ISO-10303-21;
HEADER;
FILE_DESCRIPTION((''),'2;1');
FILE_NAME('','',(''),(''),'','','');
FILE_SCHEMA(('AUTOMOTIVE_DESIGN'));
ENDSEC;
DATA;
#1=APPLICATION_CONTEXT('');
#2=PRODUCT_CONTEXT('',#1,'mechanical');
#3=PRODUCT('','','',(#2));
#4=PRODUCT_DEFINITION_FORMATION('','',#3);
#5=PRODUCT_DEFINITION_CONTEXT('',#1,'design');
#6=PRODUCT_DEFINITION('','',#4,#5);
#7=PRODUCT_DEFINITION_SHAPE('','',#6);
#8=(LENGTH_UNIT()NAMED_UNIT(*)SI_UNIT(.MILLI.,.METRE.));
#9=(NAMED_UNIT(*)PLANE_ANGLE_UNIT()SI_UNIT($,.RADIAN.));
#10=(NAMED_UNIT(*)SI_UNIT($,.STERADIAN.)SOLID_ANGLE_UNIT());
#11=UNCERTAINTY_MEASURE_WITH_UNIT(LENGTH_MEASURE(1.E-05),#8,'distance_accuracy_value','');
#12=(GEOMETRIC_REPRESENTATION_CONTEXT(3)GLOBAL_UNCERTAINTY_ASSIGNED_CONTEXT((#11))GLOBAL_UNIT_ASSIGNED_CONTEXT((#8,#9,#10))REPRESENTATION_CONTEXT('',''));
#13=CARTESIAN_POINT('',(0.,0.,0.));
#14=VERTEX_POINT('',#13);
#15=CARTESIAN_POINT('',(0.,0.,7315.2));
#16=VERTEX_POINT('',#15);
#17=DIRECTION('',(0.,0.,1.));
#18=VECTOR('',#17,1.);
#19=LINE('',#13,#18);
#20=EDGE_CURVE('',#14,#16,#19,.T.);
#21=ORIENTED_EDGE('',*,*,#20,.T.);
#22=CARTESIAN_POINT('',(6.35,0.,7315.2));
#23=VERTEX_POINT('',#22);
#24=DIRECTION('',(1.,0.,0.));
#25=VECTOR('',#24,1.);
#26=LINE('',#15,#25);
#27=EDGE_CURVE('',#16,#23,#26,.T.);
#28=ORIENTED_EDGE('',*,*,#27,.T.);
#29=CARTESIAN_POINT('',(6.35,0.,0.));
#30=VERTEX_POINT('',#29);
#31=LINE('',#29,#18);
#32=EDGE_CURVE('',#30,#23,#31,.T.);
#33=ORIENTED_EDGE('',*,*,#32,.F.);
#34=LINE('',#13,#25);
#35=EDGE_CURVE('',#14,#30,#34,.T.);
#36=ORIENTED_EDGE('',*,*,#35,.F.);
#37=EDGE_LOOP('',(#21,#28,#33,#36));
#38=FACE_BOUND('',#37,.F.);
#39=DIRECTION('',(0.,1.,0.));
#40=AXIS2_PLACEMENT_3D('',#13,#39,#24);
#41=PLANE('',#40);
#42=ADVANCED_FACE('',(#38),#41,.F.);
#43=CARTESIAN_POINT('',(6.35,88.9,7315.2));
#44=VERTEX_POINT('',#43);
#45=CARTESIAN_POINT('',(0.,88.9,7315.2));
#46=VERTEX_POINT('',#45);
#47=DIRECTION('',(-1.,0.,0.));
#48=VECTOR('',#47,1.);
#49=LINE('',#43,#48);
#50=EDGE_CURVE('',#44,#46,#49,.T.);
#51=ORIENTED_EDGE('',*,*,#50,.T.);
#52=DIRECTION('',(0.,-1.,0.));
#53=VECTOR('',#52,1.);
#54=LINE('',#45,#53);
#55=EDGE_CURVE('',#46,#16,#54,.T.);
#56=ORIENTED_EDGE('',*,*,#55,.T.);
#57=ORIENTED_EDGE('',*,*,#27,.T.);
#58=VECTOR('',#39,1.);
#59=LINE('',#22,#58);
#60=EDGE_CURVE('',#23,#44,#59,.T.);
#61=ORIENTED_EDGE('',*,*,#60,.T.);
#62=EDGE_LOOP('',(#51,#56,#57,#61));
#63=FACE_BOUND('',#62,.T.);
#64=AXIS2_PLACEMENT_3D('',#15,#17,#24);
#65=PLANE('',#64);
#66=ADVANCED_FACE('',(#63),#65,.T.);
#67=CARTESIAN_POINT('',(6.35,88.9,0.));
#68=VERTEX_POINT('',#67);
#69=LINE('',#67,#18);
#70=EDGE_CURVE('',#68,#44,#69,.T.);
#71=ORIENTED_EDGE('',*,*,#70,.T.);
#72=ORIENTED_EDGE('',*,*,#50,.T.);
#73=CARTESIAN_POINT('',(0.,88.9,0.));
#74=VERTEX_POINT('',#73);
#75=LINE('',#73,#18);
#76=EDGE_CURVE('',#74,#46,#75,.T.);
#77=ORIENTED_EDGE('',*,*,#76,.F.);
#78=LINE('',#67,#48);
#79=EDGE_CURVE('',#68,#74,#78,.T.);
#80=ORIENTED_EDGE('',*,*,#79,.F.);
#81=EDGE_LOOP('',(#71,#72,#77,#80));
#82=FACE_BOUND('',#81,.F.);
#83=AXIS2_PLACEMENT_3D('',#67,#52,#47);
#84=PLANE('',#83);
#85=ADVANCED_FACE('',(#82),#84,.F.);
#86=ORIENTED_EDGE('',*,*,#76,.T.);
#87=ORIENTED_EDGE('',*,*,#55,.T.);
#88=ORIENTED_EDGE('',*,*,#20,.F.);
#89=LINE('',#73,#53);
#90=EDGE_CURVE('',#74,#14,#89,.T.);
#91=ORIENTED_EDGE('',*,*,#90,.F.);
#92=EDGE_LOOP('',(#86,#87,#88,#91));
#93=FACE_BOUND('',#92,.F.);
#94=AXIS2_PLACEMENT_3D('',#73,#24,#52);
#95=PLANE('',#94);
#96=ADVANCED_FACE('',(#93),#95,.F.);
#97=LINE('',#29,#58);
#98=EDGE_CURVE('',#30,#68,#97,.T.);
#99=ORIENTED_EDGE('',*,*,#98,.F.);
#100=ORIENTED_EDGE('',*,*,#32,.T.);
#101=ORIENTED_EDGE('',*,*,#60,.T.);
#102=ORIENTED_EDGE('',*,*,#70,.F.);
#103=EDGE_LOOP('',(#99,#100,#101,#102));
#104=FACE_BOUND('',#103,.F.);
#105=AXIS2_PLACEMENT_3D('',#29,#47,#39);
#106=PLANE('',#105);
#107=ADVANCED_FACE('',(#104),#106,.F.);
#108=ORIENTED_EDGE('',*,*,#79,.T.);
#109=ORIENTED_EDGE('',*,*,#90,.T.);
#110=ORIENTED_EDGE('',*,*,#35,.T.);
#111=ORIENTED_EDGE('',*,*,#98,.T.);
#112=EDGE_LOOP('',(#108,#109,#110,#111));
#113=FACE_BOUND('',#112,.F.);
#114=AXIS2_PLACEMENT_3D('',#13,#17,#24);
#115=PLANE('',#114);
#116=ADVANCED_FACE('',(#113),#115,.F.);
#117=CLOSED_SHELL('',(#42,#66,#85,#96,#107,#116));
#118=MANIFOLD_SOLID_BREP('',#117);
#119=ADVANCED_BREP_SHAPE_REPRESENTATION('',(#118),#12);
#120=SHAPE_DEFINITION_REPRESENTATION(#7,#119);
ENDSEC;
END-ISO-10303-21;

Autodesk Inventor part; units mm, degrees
ref_plane "YZ Plane" through (0, 0, 0) normal (1, 0, 0) x (0, 1, 0)
ref_plane "XZ Plane" through (0, 0, 0) normal (0, 1, 0) x (-1, 0, 0)
ref_plane "XY Plane" through (0, 0, 0) normal (0, 0, 1) x (1, 0, 0)
sketch "Sketch1" plane through (0, 0, 0) normal (0, 0, 1) x (1, 0, 0)
  line L0 (0, 0) -> (6.35, 0)
  line L1 (6.35, 0) -> (6.35, 88.9)
  line L2 (6.35, 88.9) -> (0, 88.9)
  line L3 (0, 88.9) -> (0, 0)
  dimension "d0" = 6.35
  dimension "d1" = 88.9
extrude "Extrusion1" add sketch "Sketch1" along normal blind 7315.2
properties part number "Sill_Seal_With_Length_288_Inches" material "Polyethylene, Low Density"
